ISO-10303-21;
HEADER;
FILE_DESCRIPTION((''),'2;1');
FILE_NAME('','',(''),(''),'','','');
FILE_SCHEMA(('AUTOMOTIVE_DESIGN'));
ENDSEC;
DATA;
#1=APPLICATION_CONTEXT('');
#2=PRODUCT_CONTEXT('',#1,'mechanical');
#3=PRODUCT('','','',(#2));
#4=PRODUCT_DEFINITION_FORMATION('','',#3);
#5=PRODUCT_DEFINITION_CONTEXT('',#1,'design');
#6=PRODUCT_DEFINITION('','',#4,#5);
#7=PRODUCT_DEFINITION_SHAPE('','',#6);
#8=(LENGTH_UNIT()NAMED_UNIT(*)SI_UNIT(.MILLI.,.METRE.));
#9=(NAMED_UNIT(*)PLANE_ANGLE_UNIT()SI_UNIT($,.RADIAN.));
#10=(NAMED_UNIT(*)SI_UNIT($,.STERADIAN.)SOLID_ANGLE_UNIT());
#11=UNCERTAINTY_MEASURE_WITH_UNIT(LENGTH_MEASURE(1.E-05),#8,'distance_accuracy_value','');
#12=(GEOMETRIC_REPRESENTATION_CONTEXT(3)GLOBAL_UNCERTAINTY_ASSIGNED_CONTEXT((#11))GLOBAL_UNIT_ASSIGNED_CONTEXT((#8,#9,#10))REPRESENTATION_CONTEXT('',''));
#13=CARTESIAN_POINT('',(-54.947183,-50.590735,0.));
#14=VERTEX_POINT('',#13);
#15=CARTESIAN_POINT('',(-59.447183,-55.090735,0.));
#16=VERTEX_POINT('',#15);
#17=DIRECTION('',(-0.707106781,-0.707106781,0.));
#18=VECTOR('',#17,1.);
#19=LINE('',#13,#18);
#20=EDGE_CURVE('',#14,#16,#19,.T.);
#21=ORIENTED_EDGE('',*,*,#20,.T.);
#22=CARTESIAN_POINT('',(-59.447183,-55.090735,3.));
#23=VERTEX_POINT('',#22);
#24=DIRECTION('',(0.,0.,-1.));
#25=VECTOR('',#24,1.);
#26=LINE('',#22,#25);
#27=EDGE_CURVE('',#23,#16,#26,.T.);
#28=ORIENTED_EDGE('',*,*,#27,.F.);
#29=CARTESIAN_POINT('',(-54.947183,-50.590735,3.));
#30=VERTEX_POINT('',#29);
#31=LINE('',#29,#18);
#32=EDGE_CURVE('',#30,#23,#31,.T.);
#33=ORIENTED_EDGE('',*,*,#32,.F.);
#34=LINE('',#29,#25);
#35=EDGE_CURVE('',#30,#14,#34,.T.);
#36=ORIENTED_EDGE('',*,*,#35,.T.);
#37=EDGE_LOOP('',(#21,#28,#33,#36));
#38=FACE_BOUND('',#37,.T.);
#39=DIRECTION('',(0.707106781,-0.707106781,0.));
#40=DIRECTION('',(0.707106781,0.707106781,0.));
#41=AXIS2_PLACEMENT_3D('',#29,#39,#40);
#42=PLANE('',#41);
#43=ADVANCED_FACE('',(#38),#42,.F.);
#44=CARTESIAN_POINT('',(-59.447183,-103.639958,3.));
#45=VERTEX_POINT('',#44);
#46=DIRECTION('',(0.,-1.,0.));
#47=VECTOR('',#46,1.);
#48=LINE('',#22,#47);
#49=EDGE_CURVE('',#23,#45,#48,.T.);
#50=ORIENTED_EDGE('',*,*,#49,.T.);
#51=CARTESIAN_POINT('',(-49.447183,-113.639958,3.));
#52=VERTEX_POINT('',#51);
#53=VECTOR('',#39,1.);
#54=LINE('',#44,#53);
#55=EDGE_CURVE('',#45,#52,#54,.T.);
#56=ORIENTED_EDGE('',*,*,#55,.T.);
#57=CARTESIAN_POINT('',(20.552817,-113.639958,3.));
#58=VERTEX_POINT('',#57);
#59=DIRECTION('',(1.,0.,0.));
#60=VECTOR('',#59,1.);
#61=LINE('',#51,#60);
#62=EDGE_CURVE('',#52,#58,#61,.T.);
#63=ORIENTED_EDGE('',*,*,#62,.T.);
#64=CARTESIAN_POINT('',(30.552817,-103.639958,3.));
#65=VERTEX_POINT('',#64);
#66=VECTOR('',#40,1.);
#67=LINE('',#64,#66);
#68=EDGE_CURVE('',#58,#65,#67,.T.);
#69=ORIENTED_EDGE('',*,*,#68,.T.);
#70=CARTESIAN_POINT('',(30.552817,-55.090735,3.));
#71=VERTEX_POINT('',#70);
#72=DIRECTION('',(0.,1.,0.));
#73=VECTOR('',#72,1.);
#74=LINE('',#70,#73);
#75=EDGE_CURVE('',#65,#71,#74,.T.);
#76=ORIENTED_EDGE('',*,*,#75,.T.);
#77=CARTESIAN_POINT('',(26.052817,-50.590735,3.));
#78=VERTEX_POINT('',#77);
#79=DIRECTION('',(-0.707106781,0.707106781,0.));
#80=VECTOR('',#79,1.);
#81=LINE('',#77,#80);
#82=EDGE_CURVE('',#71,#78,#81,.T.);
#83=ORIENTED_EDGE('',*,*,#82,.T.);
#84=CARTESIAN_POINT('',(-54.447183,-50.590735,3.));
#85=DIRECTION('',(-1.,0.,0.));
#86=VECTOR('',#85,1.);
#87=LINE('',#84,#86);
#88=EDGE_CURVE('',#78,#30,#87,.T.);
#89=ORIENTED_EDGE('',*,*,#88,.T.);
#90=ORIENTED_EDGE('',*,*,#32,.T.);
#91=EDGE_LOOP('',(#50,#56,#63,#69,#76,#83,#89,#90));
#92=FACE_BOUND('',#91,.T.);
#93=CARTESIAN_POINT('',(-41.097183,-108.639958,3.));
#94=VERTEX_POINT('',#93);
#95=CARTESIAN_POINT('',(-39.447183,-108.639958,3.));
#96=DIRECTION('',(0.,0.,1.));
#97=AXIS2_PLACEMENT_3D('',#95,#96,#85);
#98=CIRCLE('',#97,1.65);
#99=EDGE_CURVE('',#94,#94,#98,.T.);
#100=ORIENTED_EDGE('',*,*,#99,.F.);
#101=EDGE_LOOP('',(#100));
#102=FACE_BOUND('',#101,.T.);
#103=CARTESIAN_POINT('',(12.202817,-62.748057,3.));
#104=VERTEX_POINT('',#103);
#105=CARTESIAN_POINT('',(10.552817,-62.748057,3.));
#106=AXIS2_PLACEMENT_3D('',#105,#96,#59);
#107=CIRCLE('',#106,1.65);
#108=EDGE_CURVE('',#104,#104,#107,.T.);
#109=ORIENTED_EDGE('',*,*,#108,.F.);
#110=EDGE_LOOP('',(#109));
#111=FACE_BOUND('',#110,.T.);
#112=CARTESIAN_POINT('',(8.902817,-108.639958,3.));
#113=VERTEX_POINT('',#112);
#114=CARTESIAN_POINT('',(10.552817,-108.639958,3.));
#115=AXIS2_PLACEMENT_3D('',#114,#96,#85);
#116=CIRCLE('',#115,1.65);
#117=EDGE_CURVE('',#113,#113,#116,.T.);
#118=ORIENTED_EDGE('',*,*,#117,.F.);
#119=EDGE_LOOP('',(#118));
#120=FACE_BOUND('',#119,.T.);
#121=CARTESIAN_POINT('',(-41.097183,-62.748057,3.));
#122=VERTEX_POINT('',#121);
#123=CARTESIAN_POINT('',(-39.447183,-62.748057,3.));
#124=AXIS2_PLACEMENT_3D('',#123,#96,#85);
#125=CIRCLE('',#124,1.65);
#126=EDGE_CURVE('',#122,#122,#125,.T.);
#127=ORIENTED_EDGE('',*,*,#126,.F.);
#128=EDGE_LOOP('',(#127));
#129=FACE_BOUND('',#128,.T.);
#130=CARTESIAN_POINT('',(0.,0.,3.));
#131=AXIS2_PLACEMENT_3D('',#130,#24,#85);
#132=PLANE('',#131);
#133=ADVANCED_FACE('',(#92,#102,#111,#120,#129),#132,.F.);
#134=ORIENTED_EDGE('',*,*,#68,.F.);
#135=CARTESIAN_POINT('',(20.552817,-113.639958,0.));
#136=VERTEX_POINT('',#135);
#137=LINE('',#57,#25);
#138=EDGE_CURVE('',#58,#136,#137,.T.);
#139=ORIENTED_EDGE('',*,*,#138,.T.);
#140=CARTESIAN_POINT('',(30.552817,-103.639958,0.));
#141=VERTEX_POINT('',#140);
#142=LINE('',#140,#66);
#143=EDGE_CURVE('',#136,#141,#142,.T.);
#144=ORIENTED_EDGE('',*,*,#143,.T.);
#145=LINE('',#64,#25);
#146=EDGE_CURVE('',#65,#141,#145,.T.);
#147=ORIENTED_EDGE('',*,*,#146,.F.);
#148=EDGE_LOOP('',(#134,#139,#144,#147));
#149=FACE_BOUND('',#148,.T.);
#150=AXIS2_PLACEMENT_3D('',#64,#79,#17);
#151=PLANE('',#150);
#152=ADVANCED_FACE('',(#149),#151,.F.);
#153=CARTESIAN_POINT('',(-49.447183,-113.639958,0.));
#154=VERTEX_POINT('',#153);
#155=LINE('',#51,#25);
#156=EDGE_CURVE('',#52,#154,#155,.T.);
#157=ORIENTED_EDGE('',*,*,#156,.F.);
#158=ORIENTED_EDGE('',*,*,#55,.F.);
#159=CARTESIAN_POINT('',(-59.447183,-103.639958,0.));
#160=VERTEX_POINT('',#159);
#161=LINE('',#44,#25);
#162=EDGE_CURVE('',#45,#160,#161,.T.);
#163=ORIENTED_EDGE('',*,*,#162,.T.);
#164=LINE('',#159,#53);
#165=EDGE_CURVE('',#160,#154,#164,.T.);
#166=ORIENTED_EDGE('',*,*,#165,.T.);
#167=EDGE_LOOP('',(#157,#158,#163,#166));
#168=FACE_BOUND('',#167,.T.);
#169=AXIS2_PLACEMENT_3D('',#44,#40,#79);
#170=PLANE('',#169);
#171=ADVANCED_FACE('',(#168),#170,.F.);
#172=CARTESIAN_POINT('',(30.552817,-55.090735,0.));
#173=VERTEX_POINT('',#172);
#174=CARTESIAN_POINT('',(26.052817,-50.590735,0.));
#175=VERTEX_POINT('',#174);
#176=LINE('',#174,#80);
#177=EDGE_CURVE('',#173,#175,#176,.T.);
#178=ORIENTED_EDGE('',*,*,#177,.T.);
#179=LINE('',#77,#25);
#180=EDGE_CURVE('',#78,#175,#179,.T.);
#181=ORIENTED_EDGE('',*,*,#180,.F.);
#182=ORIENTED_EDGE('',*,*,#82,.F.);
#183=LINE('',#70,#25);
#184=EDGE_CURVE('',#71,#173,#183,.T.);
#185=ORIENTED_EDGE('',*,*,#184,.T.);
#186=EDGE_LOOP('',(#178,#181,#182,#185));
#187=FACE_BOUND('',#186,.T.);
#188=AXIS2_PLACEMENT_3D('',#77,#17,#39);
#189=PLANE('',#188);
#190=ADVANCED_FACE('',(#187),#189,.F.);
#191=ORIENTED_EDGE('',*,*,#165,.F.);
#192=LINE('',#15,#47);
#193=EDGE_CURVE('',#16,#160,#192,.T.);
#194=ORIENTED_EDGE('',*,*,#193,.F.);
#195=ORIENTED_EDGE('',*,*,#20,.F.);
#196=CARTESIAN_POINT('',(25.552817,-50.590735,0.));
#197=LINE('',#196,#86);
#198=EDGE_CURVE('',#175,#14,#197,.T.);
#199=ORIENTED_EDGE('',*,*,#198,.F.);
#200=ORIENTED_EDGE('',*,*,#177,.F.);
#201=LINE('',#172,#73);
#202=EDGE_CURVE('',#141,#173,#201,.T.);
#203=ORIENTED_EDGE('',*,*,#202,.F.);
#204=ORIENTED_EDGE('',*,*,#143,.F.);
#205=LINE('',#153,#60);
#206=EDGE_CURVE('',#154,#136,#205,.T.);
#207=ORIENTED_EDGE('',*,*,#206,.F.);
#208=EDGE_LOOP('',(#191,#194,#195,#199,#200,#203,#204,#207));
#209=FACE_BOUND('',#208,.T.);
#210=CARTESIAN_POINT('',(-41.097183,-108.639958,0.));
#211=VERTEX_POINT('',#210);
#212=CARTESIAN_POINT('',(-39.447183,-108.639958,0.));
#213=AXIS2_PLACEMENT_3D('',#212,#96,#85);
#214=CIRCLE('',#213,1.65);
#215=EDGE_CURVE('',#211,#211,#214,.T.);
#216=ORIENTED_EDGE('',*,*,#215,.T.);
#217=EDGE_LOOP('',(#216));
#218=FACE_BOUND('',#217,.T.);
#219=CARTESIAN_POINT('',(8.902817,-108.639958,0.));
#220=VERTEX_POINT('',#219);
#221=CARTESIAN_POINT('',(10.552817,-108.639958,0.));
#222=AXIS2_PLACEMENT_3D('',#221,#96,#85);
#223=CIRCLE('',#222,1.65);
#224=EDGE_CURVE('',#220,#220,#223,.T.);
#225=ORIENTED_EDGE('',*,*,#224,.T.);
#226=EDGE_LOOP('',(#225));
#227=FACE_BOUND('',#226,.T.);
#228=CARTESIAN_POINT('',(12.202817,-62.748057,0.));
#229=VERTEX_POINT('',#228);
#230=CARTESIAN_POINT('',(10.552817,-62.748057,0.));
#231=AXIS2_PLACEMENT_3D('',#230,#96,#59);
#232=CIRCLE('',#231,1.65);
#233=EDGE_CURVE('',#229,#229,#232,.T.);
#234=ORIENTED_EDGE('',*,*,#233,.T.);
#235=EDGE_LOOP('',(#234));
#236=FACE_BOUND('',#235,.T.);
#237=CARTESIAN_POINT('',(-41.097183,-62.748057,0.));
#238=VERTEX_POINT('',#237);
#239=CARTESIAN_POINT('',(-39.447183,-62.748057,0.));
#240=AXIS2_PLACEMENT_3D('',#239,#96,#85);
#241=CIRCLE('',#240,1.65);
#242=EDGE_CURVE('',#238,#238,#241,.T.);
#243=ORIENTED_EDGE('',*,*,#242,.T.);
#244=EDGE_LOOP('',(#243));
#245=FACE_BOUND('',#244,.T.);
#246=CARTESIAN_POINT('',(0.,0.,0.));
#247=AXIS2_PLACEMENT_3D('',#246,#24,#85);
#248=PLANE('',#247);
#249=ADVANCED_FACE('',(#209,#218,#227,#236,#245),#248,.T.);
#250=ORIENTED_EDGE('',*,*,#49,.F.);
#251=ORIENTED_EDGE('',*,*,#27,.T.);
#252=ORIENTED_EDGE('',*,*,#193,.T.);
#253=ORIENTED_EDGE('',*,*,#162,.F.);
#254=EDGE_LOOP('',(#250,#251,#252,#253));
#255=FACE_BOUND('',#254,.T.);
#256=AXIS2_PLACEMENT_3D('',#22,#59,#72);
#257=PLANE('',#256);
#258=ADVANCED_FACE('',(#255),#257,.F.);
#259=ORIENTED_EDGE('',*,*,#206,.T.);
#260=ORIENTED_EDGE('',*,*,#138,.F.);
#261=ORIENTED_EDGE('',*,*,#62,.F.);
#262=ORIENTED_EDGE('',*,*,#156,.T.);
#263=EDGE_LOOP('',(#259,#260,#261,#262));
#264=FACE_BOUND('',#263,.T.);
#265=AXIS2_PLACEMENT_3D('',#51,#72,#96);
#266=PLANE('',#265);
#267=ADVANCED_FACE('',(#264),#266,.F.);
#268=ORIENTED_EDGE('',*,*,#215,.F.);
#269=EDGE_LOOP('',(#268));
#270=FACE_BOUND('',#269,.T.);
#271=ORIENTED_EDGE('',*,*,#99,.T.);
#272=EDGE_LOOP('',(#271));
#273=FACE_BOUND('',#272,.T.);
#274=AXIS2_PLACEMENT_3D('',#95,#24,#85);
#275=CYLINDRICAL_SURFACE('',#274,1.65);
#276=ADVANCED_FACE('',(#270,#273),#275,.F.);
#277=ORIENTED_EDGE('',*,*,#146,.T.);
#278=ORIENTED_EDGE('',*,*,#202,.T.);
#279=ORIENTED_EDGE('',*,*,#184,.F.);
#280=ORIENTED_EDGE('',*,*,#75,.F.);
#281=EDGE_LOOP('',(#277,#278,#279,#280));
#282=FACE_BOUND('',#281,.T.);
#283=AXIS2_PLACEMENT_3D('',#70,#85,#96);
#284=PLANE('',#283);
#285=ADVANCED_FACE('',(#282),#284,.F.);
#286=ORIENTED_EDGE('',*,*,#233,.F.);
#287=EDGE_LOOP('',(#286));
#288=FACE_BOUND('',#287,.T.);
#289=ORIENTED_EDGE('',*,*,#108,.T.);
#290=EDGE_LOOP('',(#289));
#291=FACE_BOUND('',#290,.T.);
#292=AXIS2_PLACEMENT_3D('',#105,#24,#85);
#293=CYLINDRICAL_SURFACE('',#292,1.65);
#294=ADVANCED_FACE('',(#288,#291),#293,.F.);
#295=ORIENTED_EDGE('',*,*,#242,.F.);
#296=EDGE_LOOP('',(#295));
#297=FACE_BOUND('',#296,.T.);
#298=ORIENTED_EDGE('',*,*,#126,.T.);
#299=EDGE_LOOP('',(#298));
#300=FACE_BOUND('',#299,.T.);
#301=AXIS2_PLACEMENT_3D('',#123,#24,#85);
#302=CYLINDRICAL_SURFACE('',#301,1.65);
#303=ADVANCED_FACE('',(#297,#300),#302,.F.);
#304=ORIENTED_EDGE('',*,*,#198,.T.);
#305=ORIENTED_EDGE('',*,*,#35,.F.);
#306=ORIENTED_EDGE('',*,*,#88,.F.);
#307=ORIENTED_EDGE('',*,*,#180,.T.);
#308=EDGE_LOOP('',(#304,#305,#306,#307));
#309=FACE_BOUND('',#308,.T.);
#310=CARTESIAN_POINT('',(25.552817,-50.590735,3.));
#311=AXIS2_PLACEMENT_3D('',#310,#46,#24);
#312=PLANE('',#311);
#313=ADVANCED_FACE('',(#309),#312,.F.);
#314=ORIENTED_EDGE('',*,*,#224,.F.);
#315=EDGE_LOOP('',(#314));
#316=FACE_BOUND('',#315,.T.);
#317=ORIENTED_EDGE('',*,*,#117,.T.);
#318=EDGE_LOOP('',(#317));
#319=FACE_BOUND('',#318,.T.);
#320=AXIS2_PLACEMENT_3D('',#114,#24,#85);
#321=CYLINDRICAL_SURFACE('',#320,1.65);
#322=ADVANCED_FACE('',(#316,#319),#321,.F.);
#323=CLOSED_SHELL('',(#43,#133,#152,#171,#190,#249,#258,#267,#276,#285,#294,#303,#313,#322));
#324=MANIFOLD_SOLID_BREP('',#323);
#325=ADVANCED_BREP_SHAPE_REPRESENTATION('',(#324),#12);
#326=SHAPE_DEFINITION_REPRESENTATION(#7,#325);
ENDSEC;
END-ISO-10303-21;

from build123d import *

# Parameters (mm, degrees)
SKETCH1_R           = 1.65
SKETCH1_W           = 3
SKETCH1_H           = 20
SKETCH1_W_2         = 24
SKETCH1_H_2         = 22.230872535
BOSS_EXTRUDE2_DEPTH = 3
SKETCH3_W           = 102.87568526
SKETCH3_H           = 126.113289936
CUT_EXTRUDE1_DEPTH  = 10


with BuildPart() as part:
    # Sketch1 → Boss-Extrude2 (new body)
    with BuildSketch(Plane.XY):
        Polygon((-59.447183423, 47.780041818), (-49.447183423, 57.780041818), (20.552816577, 57.780041818), (30.552816577, 47.780041818), (30.552816577, -0.7691812), (26.052816577, -5.2691812), (25.552816577, -5.2691812), (25.552816577, -50.590735163), (26.052816577, -50.590735163), (30.552816577, -55.090735163), (30.552816577, -103.639958182), (20.552816577, -113.639958182), (-49.447183423, -113.639958182), (-59.447183423, -103.639958182), (-59.447183423, -55.090735163), (-54.947183423, -50.590735163), (-54.447183423, -50.590735163), (-54.447183423, -5.2691812), (-54.947183423, -5.2691812), (-59.447183423, -0.7691812), align=None)
        with Locations((-39.447183423, 52.780041818)):
            Circle(SKETCH1_R, mode=Mode.SUBTRACT)
        with Locations((10.552816577, 52.780041818)):
            Circle(SKETCH1_R, mode=Mode.SUBTRACT)
        with Locations(Location((10.552816577, -108.639958182, 0), (0, 0, 180))):
            Circle(SKETCH1_R, mode=Mode.SUBTRACT)
        with Locations(Location((-39.447183423, -108.639958182, 0), (0, 0, 180))):
            Circle(SKETCH1_R, mode=Mode.SUBTRACT)
        with Locations((10.552816577, -62.748057161)):
            Circle(SKETCH1_R, mode=Mode.SUBTRACT)
        with Locations(Location((-39.447183423, -62.748057161, 0), (0, 0, 180))):
            Circle(SKETCH1_R, mode=Mode.SUBTRACT)
        with Locations((-27.947183423, 11.175041818)):
            Rectangle(SKETCH1_W, SKETCH1_H, mode=Mode.SUBTRACT)
        with Locations((-0.947183423, 11.175041818)):
            Rectangle(SKETCH1_W, SKETCH1_H, mode=Mode.SUBTRACT)
        with Locations((-14.447183423, -27.929958181)):
            Rectangle(SKETCH1_W_2, SKETCH1_H_2, mode=Mode.SUBTRACT)
    extrude(amount=BOSS_EXTRUDE2_DEPTH)

    # Sketch3 → Cut-Extrude1 (cut)
    with BuildSketch(Plane.XY.offset(3)):
        with Locations((-8.901321225, 12.465909805)):
            Rectangle(SKETCH3_W, SKETCH3_H)
    extrude(amount=-CUT_EXTRUDE1_DEPTH, mode=Mode.SUBTRACT)


solid = part.part
